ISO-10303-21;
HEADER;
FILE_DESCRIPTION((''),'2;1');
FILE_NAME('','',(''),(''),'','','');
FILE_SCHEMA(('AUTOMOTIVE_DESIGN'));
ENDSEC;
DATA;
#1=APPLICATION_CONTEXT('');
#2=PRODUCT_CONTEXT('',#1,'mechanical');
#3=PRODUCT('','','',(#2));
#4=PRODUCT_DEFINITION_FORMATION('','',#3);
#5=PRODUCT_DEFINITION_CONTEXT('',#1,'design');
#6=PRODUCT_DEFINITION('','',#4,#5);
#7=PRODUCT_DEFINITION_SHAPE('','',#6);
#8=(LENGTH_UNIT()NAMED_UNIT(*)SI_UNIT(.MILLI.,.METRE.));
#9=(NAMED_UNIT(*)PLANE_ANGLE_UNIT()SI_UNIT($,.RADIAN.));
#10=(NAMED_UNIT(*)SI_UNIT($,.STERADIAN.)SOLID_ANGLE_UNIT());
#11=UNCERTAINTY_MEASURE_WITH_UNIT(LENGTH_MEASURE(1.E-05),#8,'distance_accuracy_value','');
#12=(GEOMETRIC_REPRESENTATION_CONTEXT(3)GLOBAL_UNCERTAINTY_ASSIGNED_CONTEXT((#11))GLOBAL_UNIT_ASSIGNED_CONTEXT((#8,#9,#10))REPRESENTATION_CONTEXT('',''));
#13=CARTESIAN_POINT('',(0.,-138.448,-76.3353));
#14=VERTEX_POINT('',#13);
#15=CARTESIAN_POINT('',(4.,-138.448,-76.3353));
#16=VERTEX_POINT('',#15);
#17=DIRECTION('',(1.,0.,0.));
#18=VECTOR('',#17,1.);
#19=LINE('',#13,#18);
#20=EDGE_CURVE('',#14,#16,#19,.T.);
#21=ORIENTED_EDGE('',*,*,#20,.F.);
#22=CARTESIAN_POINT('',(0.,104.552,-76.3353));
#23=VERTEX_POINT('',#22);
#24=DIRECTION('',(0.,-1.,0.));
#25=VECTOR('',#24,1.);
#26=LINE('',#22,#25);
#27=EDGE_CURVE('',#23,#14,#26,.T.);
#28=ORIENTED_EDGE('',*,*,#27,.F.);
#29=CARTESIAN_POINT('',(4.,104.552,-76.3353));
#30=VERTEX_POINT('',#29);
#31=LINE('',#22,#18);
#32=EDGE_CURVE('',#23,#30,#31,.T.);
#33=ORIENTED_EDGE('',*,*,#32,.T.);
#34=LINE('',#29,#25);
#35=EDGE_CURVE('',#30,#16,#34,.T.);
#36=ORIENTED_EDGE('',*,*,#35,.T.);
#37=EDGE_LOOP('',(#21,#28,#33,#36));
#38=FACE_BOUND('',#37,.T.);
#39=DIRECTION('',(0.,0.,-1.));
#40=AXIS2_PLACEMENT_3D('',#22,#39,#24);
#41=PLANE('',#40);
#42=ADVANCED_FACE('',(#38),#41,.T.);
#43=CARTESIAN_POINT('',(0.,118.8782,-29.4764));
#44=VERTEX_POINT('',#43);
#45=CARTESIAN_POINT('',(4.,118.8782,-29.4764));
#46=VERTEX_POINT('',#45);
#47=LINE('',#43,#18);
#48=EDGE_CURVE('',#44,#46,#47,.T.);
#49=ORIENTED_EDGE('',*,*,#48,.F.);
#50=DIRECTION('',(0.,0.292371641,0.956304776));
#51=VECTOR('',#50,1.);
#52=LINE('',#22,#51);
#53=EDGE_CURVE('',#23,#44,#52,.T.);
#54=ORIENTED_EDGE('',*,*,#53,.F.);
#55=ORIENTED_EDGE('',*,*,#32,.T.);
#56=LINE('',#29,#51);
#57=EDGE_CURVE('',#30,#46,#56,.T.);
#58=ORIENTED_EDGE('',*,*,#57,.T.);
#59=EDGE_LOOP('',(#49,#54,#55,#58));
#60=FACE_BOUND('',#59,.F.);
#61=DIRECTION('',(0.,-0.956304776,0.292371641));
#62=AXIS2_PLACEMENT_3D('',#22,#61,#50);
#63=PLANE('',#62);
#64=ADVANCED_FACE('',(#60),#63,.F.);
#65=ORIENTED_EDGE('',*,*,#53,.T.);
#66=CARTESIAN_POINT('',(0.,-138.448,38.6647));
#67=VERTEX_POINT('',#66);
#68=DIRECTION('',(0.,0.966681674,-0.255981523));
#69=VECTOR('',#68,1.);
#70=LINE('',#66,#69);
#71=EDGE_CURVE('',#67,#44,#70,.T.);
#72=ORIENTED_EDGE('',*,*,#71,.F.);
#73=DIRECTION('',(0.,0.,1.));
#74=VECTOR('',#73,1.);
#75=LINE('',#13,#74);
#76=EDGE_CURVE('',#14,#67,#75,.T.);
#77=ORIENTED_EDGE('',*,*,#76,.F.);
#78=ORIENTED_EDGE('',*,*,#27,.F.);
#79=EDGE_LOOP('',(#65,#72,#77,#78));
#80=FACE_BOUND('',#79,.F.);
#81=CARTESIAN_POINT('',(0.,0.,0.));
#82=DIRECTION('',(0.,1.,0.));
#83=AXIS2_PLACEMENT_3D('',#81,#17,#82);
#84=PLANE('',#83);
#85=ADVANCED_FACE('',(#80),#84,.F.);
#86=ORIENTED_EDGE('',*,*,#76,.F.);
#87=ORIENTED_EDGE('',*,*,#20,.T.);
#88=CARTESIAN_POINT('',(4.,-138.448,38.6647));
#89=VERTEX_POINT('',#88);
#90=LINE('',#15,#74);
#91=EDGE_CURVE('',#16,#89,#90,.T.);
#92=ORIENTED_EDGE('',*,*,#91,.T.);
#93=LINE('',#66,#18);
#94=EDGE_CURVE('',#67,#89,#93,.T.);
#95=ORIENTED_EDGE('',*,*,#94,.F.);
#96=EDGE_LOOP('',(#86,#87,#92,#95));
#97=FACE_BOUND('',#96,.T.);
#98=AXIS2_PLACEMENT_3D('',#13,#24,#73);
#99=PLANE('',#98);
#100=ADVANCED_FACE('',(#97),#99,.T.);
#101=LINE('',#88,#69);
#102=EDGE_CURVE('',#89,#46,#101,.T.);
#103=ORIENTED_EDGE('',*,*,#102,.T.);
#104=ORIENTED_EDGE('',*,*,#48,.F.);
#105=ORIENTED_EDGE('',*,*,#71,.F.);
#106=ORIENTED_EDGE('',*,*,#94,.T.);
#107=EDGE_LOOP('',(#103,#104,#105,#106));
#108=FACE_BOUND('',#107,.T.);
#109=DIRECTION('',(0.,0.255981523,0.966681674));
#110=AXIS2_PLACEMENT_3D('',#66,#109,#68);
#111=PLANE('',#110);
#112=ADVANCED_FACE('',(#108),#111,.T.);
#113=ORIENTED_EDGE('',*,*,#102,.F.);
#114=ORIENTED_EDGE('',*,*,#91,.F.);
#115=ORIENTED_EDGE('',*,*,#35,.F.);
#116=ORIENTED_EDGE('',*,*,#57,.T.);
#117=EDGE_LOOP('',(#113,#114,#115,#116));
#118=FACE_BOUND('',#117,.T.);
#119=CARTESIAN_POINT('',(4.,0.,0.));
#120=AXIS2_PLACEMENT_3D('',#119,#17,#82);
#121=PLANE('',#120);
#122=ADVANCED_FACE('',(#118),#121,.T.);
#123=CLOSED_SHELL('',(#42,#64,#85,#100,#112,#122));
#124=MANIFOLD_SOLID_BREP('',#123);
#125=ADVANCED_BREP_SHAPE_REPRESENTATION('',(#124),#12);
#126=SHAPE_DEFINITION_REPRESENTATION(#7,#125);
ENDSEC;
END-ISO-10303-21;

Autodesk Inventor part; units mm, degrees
ref_plane "YZ Plane" through (0, 0, 0) normal (1, 0, 0) x (0, 1, 0)
ref_plane "XZ Plane" through (0, 0, 0) normal (0, 1, 0) x (-1, 0, 0)
ref_plane "XY Plane" through (0, 0, 0) normal (0, 0, 1) x (1, 0, 0)
sketch "Sketch1" plane through (0, 0, 0) normal (1, 0, 0) x (0, 1, 0)
  line L0 (104.552, -76.3353) -> (-138.448, -76.3353)
  line L1 (-138.448, -76.3353) -> (-138.448, 38.6647)
  line L2 (-138.448, 38.6647) -> (118.8782, -29.4764)
  line L3 (104.552, -76.3353) -> (118.8782, -29.4764)
  point P0 (0, 0)
  dimension "d7" = 90
  dimension "d8" = 243
  dimension "d9" = 107
  dimension "d10" = 49
  dimension "d11" = 115
extrude "Extrusion1" add sketch "Sketch1" along normal blind 4
properties part number "sponda laterale policarbonato"
